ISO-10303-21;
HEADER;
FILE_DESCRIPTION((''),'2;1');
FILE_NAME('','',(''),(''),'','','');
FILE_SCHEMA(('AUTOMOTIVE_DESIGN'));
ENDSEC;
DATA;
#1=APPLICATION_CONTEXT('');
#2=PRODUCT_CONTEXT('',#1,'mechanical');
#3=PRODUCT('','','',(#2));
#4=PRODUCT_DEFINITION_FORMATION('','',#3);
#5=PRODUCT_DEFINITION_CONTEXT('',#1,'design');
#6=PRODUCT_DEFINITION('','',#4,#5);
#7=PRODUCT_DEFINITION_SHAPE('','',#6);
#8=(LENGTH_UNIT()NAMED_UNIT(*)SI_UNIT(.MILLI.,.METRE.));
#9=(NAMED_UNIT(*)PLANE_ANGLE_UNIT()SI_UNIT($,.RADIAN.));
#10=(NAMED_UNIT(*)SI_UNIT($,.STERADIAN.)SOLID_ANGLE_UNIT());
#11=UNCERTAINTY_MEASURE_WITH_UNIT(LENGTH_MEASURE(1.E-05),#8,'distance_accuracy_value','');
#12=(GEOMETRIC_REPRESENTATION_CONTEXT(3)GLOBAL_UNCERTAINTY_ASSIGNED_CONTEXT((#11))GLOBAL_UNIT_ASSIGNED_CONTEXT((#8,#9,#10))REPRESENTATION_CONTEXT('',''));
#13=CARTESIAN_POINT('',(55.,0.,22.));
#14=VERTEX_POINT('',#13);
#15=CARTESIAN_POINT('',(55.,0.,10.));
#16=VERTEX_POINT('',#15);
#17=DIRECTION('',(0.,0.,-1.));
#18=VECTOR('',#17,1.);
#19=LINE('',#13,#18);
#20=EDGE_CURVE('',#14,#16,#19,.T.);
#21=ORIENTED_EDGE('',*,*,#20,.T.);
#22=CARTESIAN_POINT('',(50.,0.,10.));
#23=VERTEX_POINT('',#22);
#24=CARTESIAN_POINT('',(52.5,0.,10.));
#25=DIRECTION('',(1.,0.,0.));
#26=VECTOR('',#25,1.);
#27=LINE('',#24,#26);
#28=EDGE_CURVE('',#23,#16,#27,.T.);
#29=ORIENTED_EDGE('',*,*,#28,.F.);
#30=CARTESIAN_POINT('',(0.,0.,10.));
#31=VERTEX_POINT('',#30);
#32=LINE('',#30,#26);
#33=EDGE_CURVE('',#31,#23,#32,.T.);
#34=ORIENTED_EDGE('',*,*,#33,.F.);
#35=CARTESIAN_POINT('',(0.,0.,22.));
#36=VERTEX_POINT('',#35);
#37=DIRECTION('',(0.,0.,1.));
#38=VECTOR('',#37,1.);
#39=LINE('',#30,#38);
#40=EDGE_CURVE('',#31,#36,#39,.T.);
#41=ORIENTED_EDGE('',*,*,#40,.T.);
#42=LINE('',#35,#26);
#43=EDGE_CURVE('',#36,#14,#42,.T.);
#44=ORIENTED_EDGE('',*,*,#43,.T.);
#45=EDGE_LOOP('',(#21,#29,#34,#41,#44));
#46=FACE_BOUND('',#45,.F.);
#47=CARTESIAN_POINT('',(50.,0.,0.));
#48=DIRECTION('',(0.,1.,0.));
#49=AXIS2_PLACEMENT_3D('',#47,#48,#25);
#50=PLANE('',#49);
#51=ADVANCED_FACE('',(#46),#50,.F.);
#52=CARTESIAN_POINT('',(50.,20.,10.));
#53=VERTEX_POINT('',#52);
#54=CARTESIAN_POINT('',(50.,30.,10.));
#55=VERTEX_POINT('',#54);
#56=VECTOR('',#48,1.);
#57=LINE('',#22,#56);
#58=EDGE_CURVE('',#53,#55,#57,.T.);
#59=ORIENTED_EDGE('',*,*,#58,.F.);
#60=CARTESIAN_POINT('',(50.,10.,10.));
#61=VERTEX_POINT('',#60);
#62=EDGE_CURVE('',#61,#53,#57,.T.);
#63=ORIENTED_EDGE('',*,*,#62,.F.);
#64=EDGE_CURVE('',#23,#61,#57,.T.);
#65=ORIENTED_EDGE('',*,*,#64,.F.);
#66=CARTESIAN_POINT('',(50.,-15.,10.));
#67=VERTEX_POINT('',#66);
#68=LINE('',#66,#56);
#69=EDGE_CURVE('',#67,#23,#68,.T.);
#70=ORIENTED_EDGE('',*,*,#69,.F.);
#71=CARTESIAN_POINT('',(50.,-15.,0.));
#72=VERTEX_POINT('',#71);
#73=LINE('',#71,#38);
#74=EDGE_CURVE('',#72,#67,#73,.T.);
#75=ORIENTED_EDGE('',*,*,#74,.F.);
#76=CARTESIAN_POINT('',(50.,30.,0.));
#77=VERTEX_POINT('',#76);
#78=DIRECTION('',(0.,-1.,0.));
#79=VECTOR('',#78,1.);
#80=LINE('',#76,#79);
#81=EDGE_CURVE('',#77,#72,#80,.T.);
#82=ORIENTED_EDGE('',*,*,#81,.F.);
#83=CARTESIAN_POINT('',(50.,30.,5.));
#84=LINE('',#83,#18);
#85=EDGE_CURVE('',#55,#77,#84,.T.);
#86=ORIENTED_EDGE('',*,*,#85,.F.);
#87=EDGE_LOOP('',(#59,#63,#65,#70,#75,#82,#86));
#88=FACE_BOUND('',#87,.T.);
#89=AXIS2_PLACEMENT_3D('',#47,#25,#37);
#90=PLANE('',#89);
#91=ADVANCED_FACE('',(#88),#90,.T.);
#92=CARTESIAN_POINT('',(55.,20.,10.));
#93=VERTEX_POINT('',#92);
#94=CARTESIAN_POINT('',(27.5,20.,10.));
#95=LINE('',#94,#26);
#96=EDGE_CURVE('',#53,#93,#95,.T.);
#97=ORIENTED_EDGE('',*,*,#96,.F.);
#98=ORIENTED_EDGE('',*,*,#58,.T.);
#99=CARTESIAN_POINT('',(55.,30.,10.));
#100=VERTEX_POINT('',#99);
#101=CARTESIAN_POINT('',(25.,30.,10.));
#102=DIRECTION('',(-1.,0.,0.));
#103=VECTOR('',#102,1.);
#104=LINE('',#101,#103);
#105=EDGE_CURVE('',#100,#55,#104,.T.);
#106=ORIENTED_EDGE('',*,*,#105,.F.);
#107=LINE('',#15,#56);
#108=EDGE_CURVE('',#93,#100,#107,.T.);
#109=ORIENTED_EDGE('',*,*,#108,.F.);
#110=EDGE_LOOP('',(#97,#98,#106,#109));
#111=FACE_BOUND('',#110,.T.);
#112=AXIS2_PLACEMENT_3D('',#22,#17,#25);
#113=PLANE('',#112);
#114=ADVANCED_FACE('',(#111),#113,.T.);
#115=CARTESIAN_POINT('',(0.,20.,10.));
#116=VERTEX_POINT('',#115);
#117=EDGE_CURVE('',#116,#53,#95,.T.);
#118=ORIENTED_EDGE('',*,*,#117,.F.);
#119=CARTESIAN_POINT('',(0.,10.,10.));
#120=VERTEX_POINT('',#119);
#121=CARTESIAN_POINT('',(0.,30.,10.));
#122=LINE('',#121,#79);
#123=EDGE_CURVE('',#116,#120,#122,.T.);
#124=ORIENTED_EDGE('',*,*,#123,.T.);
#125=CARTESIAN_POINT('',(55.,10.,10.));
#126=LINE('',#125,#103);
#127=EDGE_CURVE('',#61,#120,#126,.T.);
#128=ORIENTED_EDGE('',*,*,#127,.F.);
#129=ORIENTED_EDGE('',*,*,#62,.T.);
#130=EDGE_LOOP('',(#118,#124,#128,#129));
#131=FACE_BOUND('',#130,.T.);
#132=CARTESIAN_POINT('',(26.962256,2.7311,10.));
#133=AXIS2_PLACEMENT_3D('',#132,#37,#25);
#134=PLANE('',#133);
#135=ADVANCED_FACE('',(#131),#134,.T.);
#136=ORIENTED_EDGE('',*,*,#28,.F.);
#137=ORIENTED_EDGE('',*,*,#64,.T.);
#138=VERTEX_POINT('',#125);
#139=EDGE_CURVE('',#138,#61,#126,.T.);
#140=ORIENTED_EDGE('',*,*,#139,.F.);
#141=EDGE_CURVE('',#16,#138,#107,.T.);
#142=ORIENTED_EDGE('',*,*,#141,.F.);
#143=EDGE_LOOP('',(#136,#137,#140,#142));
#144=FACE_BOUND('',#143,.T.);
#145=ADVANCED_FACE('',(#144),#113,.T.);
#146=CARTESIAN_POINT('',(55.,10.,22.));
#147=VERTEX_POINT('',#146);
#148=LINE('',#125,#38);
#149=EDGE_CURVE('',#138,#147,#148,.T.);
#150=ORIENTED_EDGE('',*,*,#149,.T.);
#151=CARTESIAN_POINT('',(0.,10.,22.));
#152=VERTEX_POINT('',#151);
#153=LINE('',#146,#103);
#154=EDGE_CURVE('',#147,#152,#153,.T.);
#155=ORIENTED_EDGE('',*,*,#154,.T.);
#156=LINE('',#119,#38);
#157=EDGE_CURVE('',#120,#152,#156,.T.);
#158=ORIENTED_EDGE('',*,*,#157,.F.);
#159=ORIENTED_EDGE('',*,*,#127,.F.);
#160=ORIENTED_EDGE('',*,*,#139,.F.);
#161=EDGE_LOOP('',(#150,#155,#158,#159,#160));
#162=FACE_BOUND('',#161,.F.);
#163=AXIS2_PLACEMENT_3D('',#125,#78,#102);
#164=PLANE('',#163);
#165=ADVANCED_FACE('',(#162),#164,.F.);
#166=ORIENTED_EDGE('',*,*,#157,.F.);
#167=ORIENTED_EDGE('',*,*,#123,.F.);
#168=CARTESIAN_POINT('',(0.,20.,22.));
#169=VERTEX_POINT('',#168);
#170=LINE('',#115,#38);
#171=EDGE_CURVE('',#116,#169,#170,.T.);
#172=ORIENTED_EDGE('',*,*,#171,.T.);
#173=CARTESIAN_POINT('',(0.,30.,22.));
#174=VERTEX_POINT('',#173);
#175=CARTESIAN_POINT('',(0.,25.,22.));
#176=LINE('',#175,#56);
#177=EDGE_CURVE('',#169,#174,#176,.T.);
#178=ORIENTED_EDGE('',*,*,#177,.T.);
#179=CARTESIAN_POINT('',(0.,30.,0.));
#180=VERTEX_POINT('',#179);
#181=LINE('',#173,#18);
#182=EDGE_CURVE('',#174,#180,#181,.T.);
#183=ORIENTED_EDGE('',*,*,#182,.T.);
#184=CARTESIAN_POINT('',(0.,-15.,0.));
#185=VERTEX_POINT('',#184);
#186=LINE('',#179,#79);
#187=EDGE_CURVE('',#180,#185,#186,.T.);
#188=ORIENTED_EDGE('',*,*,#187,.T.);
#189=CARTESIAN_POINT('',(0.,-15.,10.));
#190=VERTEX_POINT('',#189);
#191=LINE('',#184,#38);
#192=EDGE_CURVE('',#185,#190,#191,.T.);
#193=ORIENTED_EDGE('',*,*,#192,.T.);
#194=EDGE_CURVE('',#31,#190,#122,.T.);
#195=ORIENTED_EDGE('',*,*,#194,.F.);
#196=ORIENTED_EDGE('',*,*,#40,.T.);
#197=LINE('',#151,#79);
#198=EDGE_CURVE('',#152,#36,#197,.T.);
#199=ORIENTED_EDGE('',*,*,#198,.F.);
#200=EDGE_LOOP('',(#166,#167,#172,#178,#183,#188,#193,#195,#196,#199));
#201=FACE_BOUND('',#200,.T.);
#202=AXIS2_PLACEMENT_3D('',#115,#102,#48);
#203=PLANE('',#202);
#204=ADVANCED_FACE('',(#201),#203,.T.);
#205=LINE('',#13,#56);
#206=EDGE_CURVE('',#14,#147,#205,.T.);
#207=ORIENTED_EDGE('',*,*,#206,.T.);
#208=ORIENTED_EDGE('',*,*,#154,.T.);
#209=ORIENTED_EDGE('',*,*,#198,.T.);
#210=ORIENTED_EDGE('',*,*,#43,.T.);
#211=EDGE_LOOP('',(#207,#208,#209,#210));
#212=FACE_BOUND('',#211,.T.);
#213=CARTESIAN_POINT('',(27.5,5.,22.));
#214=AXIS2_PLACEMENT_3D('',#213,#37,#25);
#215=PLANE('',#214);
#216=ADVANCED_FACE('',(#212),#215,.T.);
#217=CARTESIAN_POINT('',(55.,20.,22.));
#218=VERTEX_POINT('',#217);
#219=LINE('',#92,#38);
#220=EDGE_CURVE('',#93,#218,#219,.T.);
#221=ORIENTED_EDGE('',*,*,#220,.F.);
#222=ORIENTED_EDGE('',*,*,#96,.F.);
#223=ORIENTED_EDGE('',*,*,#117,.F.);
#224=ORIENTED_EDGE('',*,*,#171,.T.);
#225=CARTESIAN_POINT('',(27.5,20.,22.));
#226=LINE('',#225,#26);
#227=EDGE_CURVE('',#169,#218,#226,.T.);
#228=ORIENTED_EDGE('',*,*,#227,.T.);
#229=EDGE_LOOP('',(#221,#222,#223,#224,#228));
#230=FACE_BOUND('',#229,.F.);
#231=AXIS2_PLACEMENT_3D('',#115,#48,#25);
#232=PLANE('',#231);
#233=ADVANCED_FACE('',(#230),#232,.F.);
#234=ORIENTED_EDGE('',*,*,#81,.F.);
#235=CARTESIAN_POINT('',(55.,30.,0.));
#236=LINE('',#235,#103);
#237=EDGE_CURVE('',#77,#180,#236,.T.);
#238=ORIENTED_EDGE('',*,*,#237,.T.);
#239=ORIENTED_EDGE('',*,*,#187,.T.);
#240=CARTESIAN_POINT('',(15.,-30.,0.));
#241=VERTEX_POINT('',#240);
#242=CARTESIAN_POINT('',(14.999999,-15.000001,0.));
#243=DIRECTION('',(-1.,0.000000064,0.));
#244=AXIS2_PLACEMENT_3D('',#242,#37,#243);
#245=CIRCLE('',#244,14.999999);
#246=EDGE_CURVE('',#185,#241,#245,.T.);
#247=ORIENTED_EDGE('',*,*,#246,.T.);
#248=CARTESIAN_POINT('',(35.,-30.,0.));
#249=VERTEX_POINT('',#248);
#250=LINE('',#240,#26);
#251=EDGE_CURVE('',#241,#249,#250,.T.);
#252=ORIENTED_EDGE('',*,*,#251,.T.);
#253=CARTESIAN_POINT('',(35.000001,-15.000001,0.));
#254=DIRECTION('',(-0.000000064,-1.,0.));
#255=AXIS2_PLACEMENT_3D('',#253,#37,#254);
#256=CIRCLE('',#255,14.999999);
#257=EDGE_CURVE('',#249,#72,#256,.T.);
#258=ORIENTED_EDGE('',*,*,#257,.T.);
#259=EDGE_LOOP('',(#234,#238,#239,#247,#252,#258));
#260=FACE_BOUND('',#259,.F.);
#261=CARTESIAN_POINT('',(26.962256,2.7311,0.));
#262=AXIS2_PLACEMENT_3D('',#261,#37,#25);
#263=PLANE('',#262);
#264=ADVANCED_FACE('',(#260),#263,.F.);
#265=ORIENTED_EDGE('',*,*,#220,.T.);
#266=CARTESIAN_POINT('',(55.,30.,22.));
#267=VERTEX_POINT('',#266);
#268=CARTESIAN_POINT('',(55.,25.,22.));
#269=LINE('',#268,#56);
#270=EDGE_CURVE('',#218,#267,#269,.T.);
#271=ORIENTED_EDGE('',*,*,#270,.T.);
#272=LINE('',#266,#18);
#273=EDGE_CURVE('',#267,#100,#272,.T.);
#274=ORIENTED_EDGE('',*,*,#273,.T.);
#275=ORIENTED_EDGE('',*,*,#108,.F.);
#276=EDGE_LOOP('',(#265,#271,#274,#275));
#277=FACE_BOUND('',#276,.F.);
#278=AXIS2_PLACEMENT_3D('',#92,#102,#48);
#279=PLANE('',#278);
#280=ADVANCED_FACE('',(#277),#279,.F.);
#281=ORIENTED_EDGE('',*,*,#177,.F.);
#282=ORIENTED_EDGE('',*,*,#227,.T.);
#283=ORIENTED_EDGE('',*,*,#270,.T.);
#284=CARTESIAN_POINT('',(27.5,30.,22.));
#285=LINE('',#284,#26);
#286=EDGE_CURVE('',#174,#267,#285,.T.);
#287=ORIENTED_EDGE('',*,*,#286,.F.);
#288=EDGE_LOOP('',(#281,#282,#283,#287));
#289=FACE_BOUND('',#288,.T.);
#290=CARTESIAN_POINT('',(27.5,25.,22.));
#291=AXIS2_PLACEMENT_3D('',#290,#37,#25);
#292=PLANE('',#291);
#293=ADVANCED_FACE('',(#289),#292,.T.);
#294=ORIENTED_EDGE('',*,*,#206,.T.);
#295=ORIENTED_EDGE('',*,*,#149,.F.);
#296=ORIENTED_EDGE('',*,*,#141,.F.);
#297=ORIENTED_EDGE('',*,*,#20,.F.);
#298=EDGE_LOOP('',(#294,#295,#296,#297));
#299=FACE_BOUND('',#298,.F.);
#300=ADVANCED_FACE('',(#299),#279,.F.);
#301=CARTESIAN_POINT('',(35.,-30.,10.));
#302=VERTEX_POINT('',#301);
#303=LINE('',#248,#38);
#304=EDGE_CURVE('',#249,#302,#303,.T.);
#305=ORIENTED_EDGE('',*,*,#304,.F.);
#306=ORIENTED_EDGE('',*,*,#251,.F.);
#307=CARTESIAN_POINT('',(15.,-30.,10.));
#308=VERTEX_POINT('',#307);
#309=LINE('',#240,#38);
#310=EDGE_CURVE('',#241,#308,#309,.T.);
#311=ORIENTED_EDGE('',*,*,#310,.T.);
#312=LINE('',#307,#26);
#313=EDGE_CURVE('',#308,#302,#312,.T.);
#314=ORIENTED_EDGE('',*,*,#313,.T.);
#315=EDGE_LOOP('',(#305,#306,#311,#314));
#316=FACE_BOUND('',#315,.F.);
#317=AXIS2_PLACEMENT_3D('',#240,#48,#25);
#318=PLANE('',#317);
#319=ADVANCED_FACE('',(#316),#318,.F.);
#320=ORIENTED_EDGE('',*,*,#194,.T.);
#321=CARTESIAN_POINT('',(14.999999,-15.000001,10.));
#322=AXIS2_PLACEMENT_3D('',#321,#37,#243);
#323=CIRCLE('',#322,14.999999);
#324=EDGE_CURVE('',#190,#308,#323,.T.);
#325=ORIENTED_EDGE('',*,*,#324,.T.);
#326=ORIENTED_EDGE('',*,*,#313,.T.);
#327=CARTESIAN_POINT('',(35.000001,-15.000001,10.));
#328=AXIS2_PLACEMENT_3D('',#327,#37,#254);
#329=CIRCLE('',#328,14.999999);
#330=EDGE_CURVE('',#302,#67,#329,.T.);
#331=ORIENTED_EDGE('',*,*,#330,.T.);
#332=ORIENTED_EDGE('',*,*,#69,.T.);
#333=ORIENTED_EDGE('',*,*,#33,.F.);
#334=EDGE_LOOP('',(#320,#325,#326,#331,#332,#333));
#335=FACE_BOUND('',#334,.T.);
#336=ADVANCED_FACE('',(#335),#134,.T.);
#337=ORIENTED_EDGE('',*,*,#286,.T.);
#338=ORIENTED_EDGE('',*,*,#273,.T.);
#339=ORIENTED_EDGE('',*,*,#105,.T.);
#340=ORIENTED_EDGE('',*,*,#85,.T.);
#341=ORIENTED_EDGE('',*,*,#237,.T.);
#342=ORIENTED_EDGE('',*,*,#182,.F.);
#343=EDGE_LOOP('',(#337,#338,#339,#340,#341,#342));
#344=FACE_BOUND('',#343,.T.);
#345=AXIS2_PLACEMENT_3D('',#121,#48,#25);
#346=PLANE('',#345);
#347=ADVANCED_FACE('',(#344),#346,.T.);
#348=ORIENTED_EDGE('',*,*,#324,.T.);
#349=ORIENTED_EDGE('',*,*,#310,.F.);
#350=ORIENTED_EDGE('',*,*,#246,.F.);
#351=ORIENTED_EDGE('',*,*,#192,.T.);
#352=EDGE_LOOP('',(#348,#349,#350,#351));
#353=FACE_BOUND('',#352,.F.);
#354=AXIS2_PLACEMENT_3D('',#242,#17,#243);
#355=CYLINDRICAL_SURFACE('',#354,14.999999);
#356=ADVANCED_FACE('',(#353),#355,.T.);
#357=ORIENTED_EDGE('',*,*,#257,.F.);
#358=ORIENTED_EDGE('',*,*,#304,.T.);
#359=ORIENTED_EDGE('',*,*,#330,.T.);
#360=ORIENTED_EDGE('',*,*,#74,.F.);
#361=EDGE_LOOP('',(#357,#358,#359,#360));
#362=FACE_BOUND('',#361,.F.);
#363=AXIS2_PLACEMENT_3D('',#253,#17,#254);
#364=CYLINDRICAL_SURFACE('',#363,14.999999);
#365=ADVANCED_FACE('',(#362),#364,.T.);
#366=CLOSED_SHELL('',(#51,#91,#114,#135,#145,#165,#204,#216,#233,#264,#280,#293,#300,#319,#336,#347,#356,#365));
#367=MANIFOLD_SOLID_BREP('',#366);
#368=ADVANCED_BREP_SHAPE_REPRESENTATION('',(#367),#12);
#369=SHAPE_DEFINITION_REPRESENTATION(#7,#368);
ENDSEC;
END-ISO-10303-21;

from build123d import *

# Parameters (mm, degrees)
F1_DEPTH = 10
F2_W     = 55
F2_H     = 10
F3_DEPTH = 12
F4_W     = 5
F4_H     = 10
F5_DEPTH = 30.001


with BuildPart() as f1:
    # F0 (on Top) → F1 (new body)
    with BuildSketch(Plane.XY):
        with BuildLine():
            Line((55, 30), (0, 30))
            Line((0, 30), (0, -15))
            ThreePointArc((0, -15), (4.393398, -25.606602), (15, -30))
            Line((15, -30), (35, -30))
            ThreePointArc((35, -30), (45.606602, -25.606602), (50, -15))
            Line((50, -15), (50, 0))
            Line((50, 0), (55, 0))
            Line((55, 0), (55, 30))
        make_face()
    extrude(amount=F1_DEPTH)

    # F2 (on face) → F3 (join)
    with BuildSketch(Plane.XY.offset(10)):
        with Locations((27.5, 25)):
            Rectangle(F2_W, F2_H)
        Polygon((0, 0), (50, 0), (55, 0), (55, 10), (0, 10), align=None)
    extrude(amount=F3_DEPTH)

    # F4 (on face) → F5 (cut, through all)
    with BuildSketch(Plane.XZ):
        with Locations((52.5, 5)):
            Rectangle(F4_W, F4_H)
    extrude(amount=-F5_DEPTH, mode=Mode.SUBTRACT)


solid = f1.part
